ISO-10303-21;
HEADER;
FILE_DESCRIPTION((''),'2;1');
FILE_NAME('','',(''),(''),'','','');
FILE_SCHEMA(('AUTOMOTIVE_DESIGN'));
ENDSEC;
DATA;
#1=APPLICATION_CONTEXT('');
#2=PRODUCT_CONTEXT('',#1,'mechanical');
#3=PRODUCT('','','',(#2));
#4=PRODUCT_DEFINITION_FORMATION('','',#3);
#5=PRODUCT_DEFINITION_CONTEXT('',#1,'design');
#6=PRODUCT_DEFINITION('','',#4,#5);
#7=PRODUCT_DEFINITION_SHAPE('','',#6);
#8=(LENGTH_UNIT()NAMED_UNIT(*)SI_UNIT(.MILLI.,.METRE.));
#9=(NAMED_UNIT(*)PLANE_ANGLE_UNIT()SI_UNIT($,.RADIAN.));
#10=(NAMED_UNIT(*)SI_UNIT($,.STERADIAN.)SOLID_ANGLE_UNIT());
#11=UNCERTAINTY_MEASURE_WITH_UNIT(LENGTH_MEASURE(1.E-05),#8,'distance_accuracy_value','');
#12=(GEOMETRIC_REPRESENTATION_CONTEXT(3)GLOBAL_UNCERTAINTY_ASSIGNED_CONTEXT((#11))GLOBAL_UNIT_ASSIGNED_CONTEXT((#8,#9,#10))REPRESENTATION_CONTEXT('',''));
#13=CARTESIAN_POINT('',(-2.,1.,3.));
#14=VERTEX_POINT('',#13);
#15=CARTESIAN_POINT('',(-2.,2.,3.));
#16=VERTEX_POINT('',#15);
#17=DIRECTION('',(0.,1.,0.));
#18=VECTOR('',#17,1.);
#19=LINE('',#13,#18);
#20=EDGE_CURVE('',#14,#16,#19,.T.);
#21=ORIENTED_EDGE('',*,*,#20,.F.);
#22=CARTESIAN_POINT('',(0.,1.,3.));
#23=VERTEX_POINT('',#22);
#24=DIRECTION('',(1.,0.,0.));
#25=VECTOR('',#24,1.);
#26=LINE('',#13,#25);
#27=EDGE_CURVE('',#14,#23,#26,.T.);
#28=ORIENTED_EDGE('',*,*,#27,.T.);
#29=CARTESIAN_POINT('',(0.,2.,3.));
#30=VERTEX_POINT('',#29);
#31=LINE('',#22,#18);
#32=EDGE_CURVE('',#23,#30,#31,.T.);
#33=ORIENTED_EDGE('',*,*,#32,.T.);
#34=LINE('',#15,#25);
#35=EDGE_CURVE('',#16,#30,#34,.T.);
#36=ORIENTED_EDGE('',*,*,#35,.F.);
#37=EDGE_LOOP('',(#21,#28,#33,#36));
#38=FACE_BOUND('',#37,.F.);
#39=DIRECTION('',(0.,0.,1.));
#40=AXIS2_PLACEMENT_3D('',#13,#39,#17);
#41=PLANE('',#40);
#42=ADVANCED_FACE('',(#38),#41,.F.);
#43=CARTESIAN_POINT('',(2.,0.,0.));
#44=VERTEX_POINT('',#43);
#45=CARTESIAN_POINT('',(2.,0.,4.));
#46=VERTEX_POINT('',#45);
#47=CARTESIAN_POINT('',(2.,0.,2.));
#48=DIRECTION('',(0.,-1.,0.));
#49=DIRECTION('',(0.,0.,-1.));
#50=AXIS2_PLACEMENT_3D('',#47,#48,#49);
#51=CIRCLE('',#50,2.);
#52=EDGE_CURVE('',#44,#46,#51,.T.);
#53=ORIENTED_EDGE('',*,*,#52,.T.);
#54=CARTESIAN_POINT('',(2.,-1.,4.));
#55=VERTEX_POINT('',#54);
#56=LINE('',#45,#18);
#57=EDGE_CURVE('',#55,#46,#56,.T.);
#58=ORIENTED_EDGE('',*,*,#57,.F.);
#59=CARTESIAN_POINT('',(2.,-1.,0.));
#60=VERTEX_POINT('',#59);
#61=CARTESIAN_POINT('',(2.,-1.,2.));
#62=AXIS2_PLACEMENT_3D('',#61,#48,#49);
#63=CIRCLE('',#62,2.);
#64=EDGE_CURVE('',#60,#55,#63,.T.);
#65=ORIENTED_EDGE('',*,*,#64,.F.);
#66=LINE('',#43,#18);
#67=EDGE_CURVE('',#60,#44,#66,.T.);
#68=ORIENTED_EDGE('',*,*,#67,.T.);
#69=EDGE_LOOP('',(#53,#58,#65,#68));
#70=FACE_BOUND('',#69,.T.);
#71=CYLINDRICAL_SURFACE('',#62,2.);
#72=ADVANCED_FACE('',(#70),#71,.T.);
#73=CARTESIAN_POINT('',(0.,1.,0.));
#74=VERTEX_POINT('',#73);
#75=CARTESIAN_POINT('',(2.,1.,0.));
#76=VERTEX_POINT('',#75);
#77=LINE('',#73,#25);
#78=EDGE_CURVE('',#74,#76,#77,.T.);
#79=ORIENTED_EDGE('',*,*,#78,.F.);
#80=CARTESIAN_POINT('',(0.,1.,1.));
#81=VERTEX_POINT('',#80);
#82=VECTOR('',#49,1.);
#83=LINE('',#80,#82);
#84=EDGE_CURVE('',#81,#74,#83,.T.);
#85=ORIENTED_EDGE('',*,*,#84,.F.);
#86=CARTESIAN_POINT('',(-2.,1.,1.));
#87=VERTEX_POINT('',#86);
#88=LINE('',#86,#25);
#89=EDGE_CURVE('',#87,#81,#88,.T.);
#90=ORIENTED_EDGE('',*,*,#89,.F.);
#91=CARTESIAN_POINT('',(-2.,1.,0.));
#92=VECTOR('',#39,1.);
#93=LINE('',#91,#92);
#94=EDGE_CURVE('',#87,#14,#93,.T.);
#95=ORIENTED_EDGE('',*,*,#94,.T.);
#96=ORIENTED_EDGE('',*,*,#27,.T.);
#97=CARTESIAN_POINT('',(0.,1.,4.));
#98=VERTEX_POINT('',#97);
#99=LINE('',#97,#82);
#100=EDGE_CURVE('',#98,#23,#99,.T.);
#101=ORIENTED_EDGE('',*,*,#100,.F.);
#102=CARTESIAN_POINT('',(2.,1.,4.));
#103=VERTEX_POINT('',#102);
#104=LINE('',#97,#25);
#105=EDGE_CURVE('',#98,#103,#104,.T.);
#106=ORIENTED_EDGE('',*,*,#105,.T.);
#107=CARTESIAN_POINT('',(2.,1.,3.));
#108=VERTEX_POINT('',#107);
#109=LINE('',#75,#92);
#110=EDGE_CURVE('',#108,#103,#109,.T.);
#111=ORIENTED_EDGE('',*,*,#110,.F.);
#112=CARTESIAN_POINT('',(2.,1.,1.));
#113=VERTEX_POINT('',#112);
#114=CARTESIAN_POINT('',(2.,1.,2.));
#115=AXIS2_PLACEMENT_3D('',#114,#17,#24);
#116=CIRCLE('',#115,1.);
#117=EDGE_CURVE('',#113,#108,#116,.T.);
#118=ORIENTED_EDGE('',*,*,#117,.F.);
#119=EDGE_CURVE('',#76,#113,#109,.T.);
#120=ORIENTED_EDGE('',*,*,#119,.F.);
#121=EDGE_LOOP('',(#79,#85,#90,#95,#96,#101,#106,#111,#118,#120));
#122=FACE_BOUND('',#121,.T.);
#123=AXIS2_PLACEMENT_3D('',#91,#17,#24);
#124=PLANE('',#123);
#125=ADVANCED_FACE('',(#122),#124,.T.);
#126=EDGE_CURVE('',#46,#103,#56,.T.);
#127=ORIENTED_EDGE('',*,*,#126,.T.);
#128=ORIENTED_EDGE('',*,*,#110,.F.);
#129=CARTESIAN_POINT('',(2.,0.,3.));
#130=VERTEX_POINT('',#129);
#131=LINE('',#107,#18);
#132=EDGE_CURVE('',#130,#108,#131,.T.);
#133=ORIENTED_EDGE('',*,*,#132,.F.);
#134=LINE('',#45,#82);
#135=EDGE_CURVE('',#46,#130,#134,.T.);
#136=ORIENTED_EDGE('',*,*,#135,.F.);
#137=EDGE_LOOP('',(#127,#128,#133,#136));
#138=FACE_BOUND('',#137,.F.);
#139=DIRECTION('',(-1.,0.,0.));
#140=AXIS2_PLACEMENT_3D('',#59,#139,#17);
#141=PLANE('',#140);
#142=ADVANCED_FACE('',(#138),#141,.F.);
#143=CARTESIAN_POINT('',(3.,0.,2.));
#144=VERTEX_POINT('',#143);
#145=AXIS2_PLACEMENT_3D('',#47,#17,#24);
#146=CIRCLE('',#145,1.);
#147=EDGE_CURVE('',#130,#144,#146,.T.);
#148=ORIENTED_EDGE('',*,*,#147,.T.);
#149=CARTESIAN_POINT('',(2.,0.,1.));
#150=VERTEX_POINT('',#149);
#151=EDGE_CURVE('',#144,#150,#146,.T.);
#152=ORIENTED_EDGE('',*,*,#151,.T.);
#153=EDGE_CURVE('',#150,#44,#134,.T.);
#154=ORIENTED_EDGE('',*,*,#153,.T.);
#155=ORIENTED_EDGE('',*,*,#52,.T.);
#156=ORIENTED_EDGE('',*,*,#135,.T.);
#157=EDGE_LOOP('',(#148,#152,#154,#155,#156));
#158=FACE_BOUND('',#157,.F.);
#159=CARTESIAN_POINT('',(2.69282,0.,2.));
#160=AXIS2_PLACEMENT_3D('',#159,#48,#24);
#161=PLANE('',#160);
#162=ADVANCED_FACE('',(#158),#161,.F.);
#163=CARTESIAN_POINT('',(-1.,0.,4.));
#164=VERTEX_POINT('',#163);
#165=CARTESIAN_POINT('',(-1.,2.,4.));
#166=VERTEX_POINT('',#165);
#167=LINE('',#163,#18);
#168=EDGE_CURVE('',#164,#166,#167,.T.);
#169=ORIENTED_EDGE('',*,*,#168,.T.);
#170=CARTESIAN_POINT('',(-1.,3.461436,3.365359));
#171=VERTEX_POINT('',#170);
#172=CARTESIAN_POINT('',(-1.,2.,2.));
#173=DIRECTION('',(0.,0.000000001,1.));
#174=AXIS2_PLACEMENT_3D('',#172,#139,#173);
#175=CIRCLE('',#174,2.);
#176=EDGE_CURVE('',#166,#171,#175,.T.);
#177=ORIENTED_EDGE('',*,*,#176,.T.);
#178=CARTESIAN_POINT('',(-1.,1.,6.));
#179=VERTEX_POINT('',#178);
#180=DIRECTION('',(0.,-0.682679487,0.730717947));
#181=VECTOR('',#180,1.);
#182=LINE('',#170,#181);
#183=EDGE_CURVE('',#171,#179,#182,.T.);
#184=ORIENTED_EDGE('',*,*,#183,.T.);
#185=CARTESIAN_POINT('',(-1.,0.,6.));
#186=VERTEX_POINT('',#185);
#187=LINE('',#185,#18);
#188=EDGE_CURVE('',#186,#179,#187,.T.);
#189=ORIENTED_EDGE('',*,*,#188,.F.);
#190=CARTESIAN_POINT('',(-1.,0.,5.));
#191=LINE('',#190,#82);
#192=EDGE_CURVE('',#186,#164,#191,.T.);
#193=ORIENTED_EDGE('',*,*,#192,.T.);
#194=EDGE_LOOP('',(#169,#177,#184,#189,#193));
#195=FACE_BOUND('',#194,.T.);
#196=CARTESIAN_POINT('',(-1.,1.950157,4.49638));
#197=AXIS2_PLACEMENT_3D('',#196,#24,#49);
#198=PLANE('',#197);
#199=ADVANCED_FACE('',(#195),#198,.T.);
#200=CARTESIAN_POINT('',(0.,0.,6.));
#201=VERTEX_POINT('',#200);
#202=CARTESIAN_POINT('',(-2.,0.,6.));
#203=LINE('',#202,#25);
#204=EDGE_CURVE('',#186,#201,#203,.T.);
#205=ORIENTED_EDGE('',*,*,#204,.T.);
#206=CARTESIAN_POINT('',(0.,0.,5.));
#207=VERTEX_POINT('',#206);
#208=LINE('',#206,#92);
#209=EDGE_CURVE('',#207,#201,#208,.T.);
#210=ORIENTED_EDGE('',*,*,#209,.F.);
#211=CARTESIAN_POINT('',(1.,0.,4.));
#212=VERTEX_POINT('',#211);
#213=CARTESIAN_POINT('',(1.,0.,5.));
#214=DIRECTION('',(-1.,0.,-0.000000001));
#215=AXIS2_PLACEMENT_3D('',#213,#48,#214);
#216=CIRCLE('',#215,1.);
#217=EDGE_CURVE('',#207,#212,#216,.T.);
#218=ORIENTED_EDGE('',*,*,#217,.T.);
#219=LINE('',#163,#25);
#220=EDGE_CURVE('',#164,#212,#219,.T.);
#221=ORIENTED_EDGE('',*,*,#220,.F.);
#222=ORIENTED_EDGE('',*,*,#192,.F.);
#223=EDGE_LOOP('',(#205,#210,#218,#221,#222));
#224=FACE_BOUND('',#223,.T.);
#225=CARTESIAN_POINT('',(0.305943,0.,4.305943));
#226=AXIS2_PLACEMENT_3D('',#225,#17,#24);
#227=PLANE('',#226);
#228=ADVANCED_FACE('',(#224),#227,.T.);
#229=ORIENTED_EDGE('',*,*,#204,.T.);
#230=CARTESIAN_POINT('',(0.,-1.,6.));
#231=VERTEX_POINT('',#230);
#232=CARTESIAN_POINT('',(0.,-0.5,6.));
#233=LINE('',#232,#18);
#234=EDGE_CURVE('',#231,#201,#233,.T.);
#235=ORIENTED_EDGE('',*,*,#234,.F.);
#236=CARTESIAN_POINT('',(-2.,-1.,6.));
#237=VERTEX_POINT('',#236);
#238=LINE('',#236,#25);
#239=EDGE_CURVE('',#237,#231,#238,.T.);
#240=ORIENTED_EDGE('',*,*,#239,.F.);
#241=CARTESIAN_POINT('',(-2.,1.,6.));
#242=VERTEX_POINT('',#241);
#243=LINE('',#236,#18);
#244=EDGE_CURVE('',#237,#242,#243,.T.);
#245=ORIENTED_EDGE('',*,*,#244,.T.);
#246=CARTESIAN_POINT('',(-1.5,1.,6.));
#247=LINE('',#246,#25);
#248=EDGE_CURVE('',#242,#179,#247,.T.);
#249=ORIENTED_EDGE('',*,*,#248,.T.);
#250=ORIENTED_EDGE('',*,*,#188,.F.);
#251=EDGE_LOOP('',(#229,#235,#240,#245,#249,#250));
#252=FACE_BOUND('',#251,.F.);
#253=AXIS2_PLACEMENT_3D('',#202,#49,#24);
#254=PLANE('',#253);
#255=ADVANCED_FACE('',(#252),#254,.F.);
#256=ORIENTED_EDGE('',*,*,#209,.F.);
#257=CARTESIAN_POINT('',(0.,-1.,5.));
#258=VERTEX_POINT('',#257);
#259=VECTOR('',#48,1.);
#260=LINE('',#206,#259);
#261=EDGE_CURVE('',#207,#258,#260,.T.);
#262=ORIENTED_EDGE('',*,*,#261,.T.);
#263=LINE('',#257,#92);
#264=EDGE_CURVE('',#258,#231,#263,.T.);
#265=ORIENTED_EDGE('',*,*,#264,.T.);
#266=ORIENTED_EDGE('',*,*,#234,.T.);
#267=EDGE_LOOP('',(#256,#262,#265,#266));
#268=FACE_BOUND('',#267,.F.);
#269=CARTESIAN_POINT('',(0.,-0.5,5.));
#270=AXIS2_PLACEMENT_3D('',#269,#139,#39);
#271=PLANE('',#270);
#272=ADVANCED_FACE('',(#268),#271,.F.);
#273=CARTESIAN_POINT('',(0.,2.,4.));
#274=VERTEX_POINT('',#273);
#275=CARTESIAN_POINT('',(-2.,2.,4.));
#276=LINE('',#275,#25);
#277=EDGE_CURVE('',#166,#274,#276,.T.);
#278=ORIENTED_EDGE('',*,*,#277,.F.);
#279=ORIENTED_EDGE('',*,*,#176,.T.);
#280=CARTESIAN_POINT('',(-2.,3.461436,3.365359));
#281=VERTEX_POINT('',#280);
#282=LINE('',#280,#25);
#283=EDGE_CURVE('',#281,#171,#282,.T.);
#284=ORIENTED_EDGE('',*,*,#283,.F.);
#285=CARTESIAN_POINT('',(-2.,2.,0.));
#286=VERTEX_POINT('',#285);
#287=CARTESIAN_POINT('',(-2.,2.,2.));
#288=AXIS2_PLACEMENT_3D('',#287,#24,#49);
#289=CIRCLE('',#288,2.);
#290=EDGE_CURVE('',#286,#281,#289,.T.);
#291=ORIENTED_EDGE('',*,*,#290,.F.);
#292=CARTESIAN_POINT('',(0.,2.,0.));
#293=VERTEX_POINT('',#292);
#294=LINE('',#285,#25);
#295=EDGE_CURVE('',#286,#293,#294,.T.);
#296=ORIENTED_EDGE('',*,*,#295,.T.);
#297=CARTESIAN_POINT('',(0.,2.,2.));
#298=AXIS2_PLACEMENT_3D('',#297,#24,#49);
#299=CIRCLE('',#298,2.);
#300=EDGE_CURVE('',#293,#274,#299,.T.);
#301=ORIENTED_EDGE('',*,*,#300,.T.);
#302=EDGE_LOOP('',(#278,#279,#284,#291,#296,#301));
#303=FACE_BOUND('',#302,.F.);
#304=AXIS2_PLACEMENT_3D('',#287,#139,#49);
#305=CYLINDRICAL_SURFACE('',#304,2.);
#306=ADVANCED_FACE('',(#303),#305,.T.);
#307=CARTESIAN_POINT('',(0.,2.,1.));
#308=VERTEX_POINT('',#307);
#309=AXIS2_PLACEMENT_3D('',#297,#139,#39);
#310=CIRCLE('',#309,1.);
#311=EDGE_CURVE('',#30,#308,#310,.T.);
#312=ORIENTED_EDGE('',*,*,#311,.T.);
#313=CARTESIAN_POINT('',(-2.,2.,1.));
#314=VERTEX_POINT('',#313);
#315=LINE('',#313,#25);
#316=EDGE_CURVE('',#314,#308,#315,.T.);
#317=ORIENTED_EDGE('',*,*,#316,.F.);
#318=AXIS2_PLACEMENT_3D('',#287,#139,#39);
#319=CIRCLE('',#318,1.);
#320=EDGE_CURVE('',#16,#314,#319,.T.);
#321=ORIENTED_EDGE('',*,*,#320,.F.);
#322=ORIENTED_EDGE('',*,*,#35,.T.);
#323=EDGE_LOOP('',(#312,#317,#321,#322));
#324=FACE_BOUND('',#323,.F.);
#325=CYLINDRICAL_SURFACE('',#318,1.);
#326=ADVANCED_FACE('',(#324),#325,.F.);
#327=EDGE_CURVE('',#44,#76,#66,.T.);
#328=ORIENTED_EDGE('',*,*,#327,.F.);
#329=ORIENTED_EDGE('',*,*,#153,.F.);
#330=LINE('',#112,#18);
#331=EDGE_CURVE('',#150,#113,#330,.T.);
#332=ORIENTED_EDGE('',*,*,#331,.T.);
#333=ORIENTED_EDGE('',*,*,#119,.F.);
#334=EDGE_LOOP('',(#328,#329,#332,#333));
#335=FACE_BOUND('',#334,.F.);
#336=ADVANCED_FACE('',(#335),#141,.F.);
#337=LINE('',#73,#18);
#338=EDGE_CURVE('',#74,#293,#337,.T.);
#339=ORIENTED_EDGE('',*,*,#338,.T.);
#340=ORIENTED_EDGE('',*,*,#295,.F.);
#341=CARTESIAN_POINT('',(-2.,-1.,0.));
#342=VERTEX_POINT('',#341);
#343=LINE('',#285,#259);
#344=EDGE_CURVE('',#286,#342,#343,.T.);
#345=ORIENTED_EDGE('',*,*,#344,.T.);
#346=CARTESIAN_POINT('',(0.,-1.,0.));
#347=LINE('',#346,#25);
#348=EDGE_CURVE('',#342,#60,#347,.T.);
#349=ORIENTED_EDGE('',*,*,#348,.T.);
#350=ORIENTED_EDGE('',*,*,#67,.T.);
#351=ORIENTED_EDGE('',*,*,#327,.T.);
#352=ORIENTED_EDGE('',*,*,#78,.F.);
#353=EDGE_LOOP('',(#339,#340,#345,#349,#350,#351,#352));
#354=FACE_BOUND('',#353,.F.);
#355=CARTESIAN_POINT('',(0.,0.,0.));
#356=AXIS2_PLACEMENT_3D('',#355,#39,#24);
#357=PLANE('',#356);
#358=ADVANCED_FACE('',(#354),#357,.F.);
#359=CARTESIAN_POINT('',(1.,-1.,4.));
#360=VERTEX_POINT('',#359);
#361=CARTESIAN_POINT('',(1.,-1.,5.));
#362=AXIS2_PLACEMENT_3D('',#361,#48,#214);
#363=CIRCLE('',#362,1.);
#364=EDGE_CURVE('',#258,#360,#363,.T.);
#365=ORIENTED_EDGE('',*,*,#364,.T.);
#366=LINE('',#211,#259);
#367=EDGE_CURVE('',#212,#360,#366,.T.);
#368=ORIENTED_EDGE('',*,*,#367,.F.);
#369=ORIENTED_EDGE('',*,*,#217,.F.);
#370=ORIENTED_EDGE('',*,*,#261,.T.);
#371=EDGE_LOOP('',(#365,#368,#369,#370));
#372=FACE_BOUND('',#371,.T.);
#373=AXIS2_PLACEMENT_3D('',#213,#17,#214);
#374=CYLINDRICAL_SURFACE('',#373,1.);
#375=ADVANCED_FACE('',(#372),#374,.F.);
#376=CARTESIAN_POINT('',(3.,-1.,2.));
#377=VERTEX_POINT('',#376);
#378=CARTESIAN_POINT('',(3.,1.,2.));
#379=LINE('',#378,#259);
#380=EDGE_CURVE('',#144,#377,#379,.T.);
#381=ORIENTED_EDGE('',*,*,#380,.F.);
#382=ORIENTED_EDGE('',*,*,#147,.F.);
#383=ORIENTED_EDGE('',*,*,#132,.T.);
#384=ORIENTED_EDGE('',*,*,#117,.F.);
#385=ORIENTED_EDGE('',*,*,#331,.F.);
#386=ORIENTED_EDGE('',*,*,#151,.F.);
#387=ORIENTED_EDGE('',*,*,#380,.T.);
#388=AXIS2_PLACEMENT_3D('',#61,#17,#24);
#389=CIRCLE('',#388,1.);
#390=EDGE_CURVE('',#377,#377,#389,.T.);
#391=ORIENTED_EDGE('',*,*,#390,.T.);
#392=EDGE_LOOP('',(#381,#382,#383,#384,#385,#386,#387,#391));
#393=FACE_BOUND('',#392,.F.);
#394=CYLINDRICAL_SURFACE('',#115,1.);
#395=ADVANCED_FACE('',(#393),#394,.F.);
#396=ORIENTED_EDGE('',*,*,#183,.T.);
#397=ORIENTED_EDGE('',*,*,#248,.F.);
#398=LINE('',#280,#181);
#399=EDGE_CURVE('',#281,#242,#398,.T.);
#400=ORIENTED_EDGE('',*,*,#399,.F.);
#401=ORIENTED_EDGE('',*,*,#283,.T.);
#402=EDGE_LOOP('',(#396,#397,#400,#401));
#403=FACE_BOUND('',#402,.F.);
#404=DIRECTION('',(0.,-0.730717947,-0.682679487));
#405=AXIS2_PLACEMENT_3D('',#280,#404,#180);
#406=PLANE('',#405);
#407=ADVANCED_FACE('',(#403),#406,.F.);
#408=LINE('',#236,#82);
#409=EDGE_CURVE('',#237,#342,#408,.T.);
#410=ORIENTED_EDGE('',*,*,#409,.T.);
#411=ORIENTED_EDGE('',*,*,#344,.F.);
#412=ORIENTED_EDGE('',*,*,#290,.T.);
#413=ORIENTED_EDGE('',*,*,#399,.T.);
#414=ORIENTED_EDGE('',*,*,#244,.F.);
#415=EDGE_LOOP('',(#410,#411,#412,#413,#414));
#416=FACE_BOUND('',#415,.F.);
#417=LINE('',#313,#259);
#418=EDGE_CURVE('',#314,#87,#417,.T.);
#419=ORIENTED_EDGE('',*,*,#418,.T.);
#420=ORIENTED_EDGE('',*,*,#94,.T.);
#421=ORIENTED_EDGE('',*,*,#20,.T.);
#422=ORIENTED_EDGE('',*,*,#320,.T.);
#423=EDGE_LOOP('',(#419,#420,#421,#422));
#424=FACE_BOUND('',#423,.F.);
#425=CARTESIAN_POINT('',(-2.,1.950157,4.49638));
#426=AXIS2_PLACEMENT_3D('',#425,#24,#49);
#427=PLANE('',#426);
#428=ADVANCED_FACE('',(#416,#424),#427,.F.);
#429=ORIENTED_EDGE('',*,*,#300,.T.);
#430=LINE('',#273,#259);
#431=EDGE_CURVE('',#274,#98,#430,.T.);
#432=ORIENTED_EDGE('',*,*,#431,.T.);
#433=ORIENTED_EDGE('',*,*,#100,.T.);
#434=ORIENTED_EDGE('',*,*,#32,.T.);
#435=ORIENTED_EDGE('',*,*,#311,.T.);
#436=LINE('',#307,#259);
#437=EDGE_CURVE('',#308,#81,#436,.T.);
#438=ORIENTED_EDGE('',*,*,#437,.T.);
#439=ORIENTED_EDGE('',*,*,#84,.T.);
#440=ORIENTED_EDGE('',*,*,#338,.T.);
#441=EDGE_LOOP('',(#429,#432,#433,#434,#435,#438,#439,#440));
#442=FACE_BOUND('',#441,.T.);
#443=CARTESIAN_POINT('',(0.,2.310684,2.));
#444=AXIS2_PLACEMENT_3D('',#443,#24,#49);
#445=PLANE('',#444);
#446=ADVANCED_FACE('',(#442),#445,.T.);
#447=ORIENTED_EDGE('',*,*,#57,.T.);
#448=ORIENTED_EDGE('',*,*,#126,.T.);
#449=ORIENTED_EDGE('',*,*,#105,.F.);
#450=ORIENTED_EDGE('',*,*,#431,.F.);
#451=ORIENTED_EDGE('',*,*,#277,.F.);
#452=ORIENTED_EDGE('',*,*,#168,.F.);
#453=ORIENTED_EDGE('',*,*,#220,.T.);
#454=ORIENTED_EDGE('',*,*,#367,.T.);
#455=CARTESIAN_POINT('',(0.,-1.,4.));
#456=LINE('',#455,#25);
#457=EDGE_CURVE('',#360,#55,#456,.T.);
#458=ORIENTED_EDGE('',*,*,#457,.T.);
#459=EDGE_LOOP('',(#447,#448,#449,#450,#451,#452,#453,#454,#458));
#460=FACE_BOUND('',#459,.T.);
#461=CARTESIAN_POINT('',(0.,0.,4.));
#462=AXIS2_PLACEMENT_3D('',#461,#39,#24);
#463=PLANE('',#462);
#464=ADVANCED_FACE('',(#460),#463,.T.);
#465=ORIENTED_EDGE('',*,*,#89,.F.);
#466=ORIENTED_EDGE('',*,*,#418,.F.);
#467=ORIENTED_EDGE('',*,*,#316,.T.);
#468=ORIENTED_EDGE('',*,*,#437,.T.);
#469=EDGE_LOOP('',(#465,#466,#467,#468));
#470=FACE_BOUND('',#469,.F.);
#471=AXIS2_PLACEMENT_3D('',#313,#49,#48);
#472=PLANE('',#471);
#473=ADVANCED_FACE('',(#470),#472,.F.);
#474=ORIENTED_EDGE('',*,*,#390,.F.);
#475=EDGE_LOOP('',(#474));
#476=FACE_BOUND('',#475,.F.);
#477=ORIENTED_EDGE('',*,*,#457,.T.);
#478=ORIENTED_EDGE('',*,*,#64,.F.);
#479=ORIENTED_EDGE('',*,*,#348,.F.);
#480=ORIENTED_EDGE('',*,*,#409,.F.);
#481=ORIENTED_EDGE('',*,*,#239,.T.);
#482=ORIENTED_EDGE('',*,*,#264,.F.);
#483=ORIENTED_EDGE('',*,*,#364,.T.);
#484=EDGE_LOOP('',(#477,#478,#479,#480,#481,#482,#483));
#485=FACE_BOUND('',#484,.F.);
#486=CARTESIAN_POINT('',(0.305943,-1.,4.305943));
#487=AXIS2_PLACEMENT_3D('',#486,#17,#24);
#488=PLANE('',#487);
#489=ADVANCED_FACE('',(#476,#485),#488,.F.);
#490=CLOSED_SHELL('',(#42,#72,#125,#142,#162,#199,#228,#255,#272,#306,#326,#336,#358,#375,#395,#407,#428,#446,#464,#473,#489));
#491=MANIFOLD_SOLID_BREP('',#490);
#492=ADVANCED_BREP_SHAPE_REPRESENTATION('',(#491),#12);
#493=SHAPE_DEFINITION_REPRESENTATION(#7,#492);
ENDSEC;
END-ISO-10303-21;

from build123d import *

# Parameters (mm, degrees)
SKETCH1_W           = 4
SKETCH1_H           = 2
BOSS_EXTRUDE1_DEPTH = 4
BOSS_EXTRUDE2_DEPTH = 1
SKETCH3_R           = 1
CUT_EXTRUDE1_DEPTH  = 3
SKETCH4_W           = 2
SKETCH4_H           = 1
BOSS_EXTRUDE3_DEPTH = 2
SKETCH5_W           = 1
SKETCH5_H           = 2
BOSS_EXTRUDE4_DEPTH = 1
BOSS_EXTRUDE5_DEPTH = 1
BOSS_EXTRUDE6_DEPTH = 1


with BuildPart() as part:
    # Sketch1 → Boss-Extrude1 (new body)
    with BuildSketch(Plane.XY):
        Rectangle(SKETCH1_W, SKETCH1_H)
    extrude(amount=BOSS_EXTRUDE1_DEPTH)

    # Sketch2 → Boss-Extrude2 (add)
    with BuildSketch(Plane.XZ.offset(1)):
        with BuildLine():
            Line((2, 4), (2, 0))
            ThreePointArc((2, 0), (4, 2), (2, 4))
        make_face()
    extrude(amount=-BOSS_EXTRUDE2_DEPTH)

    # Sketch3 → Cut-Extrude1 (cut, through all)
    with BuildSketch(Plane(origin=(0, 1, 0), x_dir=(1, 0, 0), z_dir=(0, 1, 0))):
        with Locations((2, -2)):
            Circle(SKETCH3_R)
    extrude(amount=-CUT_EXTRUDE1_DEPTH, mode=Mode.SUBTRACT)

    # Sketch4 → Boss-Extrude3 (add)
    with BuildSketch(Plane.ZY.offset(2)):
        with Locations((5, -0.5)):
            Rectangle(SKETCH4_W, SKETCH4_H)
        with BuildLine():
            Line((0, 1), (0, 2))
            ThreePointArc((0, 2), (2, 4), (4, 2))
            Line((4, 2), (4, 1))
            Line((4, 1), (3, 1))
            Line((3, 1), (3, 2))
            ThreePointArc((3, 2), (2, 3), (1, 2))
            Line((1, 2), (1, 1))
            Line((1, 1), (0, 1))
        make_face()
    extrude(amount=-BOSS_EXTRUDE3_DEPTH)

    # Sketch5 → Boss-Extrude4 (add)
    with BuildSketch(Plane(origin=(0, 0, 0), x_dir=(1, 0, 0), z_dir=(0, 1, 0))):
        with Locations((-1.5, -5)):
            Rectangle(SKETCH5_W, SKETCH5_H)
    extrude(amount=BOSS_EXTRUDE4_DEPTH)

    # Sketch6 → Boss-Extrude5 (add)
    with BuildSketch(Plane.ZY.offset(2)):
        with BuildLine():
            Line((3.365358974, 3.461435894), (6, 1))
            Line((6, 1), (4, 1))
            Line((4, 1), (4, 2))
            ThreePointArc((4, 2), (3.834491475, 2.796643601), (3.365358974, 3.461435894))
        make_face()
    extrude(amount=-BOSS_EXTRUDE5_DEPTH)

    # Sketch7 → Boss-Extrude6 (add)
    with BuildSketch(Plane(origin=(0, 0, 0), x_dir=(1, 0, 0), z_dir=(0, 1, 0))):
        with BuildLine():
            Line((1, -4), (0, -4))
            Line((0, -4), (0, -5))
            ThreePointArc((0, -5), (0.292893219, -4.292893219), (1, -4))
        make_face()
    extrude(amount=-BOSS_EXTRUDE6_DEPTH)


solid = part.part
